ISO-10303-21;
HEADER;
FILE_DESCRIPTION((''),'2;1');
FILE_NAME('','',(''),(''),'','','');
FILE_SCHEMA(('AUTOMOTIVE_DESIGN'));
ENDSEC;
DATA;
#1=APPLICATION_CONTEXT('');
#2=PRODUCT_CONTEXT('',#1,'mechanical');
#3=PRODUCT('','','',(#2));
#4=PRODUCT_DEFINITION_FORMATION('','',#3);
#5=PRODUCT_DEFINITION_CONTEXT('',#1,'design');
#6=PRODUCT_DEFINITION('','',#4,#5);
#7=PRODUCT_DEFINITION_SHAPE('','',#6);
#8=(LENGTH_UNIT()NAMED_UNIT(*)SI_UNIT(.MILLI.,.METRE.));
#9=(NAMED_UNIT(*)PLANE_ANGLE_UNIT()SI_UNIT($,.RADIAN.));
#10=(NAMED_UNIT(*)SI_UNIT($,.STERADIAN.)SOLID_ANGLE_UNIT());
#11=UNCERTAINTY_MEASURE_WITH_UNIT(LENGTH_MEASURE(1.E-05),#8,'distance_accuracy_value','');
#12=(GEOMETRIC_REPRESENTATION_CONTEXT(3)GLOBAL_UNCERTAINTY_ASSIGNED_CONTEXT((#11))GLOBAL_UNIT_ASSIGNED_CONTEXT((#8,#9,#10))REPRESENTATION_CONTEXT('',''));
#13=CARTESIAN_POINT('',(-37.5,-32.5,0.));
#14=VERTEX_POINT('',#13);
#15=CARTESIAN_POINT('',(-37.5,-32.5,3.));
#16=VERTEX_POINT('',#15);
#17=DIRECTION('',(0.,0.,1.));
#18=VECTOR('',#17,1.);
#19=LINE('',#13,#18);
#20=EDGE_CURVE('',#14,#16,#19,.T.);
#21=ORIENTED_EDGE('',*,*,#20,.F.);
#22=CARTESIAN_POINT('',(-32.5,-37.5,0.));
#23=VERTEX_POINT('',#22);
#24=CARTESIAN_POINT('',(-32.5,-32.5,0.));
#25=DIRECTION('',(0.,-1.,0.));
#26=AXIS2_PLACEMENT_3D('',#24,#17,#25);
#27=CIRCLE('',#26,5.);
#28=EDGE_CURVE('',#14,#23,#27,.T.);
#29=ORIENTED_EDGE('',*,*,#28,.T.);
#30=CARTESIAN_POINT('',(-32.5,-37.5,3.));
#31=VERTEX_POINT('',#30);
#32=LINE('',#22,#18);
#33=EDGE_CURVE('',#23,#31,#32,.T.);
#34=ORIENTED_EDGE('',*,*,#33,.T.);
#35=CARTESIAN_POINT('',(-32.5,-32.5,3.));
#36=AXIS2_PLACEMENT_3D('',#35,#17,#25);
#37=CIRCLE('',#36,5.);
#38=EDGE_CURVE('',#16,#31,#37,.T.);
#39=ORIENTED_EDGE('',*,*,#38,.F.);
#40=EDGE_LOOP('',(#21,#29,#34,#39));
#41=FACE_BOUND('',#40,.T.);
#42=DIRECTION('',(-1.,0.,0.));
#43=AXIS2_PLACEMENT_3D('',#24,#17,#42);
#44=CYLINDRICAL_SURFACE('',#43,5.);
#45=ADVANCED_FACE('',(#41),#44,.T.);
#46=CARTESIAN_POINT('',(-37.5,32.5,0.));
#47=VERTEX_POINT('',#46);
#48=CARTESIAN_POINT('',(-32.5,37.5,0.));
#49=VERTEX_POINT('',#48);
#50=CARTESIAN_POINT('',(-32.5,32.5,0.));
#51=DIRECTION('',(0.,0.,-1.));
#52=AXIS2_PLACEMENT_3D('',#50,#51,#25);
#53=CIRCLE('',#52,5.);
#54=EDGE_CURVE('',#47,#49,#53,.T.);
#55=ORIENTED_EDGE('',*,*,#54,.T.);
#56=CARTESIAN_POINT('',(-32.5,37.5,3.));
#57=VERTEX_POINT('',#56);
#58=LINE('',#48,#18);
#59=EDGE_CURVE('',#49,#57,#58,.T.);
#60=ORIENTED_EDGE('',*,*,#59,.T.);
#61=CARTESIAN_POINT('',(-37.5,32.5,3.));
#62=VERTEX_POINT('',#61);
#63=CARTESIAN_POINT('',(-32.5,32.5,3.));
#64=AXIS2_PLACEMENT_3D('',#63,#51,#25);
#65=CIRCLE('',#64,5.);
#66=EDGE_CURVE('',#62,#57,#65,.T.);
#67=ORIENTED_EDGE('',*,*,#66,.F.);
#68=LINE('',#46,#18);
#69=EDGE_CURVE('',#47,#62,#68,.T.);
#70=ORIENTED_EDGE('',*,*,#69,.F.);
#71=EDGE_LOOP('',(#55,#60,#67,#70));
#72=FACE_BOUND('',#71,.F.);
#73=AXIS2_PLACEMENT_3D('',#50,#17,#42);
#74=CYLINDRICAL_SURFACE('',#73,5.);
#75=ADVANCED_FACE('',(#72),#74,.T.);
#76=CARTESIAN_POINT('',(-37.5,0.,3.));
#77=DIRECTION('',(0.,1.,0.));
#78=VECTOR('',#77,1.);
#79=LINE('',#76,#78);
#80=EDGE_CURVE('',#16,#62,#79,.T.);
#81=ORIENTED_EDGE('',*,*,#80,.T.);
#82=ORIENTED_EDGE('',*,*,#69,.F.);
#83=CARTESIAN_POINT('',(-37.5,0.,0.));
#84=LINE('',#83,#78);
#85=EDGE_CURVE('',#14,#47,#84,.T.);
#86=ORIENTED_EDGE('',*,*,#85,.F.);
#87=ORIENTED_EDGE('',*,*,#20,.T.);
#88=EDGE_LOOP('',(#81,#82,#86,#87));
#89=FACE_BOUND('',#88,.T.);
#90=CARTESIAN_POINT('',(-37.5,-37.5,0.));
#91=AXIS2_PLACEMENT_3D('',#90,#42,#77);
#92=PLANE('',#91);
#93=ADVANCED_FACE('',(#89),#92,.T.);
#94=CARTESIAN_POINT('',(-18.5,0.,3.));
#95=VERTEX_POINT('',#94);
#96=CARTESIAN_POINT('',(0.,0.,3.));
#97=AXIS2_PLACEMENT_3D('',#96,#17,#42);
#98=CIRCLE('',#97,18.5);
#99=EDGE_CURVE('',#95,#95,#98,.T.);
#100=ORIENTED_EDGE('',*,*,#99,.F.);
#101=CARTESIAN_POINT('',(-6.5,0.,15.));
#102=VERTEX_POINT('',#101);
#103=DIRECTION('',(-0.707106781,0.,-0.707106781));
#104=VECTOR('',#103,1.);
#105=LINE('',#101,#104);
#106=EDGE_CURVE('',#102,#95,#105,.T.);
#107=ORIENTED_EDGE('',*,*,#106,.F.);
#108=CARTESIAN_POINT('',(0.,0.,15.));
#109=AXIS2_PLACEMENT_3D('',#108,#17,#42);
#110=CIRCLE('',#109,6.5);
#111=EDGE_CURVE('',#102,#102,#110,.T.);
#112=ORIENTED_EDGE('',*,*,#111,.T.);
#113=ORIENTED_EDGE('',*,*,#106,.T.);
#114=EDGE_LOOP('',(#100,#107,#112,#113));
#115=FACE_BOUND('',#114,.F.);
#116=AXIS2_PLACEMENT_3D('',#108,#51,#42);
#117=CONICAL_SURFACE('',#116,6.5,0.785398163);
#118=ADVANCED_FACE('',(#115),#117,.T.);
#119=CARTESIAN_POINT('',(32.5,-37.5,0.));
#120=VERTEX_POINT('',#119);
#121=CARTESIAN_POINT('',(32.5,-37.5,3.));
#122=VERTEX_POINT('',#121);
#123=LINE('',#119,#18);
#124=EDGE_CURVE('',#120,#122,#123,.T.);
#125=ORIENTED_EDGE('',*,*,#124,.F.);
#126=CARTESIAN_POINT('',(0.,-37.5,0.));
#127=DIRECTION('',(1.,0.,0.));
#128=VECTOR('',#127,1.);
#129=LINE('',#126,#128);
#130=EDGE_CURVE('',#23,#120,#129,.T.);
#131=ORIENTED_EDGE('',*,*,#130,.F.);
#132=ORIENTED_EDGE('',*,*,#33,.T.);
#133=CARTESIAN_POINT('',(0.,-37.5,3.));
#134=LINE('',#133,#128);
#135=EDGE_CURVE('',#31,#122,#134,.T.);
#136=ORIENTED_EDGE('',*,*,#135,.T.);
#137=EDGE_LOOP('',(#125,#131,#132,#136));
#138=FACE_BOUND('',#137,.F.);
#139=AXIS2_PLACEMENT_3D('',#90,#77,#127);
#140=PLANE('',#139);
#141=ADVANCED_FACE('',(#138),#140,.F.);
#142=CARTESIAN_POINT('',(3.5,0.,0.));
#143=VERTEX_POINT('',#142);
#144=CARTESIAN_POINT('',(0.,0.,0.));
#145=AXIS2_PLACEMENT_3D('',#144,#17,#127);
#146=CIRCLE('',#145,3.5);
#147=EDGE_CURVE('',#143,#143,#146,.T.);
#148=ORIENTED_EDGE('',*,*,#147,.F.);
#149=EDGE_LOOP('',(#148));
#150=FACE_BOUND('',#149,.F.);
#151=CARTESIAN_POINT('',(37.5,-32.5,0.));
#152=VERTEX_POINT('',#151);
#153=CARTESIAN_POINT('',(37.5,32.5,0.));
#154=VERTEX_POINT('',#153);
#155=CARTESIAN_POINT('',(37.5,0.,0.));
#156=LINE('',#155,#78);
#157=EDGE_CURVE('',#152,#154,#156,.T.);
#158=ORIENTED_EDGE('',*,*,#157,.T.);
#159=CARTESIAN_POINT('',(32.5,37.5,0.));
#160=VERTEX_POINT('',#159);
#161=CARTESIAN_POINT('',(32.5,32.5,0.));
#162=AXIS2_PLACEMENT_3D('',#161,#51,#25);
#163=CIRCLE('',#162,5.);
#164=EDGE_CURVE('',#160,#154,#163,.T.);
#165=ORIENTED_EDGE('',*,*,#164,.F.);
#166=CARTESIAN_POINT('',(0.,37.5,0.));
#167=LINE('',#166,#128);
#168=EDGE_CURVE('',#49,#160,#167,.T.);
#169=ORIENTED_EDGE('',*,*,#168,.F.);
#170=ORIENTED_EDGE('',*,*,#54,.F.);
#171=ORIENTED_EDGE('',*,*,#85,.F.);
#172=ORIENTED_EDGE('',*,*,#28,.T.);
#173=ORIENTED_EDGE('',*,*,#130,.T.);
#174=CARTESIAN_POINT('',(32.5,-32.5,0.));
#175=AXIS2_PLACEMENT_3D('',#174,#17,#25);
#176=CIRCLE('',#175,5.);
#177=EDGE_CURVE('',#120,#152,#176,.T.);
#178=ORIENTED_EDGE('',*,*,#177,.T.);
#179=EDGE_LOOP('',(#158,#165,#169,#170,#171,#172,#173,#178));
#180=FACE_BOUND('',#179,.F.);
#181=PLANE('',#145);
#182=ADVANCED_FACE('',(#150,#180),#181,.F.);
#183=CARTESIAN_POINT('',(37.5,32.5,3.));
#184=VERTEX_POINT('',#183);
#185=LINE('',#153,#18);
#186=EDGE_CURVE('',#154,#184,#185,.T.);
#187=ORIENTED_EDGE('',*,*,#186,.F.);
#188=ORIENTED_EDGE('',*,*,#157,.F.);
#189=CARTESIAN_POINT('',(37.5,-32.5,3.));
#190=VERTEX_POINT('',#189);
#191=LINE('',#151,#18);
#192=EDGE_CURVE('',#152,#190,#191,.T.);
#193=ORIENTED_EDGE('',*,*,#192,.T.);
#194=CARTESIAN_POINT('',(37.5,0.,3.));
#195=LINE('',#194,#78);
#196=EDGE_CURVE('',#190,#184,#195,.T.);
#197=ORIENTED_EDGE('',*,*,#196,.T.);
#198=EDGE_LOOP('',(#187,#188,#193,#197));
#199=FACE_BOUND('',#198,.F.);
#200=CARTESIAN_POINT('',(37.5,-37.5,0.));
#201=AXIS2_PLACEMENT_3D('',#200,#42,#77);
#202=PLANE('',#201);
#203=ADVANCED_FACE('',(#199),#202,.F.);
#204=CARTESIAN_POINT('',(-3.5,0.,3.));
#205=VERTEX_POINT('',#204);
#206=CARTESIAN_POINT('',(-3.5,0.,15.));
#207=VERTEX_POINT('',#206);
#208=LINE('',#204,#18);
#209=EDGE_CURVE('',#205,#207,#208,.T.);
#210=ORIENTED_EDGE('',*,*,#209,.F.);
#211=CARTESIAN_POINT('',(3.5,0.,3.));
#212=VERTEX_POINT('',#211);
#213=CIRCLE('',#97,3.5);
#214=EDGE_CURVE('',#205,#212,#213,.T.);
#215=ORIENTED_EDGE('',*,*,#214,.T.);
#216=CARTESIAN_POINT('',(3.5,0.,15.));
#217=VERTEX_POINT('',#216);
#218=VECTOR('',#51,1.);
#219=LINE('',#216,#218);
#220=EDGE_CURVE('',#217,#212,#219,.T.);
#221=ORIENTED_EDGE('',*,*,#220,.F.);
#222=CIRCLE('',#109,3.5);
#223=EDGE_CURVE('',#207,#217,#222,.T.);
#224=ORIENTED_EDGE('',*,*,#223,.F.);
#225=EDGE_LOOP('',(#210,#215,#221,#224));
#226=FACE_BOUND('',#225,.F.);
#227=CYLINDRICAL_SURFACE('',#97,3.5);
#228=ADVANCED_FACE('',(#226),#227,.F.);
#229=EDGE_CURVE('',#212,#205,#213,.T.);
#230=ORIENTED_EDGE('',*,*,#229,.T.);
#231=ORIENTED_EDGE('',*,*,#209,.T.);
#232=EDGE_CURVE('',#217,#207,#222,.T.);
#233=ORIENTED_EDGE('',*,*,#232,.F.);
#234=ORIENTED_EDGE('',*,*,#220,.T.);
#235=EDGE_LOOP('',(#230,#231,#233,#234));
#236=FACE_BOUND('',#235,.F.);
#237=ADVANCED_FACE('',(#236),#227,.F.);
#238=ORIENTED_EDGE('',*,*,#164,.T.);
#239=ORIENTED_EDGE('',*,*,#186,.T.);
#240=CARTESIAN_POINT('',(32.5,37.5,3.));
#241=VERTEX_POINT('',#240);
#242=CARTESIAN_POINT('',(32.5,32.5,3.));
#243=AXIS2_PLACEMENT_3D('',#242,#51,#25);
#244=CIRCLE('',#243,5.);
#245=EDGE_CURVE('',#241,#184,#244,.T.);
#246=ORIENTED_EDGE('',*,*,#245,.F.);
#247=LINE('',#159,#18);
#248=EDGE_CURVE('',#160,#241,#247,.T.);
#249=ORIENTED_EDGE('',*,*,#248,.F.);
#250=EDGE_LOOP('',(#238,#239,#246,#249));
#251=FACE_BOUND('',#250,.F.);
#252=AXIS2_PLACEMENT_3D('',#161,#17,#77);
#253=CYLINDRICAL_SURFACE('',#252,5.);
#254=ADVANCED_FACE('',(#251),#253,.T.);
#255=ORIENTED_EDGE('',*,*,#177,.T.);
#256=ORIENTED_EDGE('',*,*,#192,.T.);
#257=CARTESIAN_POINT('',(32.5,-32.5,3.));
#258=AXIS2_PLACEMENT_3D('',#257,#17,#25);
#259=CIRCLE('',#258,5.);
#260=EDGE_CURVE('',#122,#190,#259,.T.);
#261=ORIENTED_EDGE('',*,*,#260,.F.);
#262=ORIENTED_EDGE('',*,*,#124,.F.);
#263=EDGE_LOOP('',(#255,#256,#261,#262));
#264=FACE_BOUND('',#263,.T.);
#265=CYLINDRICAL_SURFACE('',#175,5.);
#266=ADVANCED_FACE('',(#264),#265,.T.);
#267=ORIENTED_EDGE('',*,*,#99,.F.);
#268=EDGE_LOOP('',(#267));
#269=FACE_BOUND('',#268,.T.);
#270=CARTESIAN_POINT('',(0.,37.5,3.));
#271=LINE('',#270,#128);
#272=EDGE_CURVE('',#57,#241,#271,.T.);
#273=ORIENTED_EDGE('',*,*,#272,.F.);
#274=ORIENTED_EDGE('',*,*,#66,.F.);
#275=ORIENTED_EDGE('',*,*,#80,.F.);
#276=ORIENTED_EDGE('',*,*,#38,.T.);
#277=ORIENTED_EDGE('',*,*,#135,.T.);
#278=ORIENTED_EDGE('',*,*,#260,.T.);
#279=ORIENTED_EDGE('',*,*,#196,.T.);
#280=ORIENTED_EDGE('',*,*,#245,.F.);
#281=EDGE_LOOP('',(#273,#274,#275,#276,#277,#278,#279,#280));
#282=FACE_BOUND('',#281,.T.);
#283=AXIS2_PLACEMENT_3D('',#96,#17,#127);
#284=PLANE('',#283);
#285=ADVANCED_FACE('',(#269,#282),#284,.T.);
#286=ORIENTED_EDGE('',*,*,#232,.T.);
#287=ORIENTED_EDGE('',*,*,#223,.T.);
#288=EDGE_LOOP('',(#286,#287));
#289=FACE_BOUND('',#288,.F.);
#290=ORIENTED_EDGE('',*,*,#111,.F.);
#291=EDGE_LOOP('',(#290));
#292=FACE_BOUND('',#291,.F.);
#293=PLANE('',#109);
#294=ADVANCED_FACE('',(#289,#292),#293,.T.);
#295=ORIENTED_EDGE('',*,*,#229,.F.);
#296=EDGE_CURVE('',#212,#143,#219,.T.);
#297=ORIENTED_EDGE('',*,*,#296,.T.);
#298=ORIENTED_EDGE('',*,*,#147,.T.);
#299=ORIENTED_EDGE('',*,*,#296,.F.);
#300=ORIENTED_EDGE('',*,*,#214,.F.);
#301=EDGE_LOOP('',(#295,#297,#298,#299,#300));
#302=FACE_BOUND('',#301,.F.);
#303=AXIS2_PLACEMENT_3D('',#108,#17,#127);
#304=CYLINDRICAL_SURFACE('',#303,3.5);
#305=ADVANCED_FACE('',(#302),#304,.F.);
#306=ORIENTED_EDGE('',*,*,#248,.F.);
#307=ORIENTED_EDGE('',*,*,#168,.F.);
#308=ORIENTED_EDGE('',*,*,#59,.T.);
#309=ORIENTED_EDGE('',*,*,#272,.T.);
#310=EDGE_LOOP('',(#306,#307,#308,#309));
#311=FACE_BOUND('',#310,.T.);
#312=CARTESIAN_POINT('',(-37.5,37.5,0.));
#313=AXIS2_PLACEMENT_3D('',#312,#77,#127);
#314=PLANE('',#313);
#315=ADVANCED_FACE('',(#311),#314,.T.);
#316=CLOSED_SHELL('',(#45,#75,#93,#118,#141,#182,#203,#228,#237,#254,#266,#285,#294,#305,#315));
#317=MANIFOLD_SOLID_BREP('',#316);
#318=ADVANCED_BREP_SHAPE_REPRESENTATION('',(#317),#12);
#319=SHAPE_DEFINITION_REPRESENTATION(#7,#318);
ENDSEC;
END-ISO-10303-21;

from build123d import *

# Parameters (mm, degrees)
F0_W     = 75
F0_H     = 75
F1_DEPTH = 3
F4_R     = 3.5
F5_DEPTH = 15.001
F6_R     = 5


with BuildPart() as f1:
    # F0 (on Top) → F1 (new body)
    with BuildSketch(Plane.XY):
        Rectangle(F0_W, F0_H)
    extrude(amount=F1_DEPTH)

    # F2 (on Front) → F3 (revolve)
    with BuildSketch(Plane.XZ):
        Polygon((-6.5, 15), (-18.5, 3), (-3.5, 3), (-3.5, 15), align=None)
    revolve(axis=Axis((0, 0, 28.255757), (0, 0, 1)))

    # F4 (on face) → F5 (cut, through all)
    with BuildSketch(Plane.XY.offset(15)):
        Circle(F4_R)
    extrude(amount=-F5_DEPTH, mode=Mode.SUBTRACT)

    # F6
    f6_edges = [f1.edges().sort_by_distance(p)[0] for p in [
        (-37.5, 37.5, 1.5),
        (-37.5, -37.5, 1.5),
        (37.5, -37.5, 1.5),
        (37.5, 37.5, 1.5),
    ]]
    fillet(f6_edges, radius=F6_R)


solid = f1.part
